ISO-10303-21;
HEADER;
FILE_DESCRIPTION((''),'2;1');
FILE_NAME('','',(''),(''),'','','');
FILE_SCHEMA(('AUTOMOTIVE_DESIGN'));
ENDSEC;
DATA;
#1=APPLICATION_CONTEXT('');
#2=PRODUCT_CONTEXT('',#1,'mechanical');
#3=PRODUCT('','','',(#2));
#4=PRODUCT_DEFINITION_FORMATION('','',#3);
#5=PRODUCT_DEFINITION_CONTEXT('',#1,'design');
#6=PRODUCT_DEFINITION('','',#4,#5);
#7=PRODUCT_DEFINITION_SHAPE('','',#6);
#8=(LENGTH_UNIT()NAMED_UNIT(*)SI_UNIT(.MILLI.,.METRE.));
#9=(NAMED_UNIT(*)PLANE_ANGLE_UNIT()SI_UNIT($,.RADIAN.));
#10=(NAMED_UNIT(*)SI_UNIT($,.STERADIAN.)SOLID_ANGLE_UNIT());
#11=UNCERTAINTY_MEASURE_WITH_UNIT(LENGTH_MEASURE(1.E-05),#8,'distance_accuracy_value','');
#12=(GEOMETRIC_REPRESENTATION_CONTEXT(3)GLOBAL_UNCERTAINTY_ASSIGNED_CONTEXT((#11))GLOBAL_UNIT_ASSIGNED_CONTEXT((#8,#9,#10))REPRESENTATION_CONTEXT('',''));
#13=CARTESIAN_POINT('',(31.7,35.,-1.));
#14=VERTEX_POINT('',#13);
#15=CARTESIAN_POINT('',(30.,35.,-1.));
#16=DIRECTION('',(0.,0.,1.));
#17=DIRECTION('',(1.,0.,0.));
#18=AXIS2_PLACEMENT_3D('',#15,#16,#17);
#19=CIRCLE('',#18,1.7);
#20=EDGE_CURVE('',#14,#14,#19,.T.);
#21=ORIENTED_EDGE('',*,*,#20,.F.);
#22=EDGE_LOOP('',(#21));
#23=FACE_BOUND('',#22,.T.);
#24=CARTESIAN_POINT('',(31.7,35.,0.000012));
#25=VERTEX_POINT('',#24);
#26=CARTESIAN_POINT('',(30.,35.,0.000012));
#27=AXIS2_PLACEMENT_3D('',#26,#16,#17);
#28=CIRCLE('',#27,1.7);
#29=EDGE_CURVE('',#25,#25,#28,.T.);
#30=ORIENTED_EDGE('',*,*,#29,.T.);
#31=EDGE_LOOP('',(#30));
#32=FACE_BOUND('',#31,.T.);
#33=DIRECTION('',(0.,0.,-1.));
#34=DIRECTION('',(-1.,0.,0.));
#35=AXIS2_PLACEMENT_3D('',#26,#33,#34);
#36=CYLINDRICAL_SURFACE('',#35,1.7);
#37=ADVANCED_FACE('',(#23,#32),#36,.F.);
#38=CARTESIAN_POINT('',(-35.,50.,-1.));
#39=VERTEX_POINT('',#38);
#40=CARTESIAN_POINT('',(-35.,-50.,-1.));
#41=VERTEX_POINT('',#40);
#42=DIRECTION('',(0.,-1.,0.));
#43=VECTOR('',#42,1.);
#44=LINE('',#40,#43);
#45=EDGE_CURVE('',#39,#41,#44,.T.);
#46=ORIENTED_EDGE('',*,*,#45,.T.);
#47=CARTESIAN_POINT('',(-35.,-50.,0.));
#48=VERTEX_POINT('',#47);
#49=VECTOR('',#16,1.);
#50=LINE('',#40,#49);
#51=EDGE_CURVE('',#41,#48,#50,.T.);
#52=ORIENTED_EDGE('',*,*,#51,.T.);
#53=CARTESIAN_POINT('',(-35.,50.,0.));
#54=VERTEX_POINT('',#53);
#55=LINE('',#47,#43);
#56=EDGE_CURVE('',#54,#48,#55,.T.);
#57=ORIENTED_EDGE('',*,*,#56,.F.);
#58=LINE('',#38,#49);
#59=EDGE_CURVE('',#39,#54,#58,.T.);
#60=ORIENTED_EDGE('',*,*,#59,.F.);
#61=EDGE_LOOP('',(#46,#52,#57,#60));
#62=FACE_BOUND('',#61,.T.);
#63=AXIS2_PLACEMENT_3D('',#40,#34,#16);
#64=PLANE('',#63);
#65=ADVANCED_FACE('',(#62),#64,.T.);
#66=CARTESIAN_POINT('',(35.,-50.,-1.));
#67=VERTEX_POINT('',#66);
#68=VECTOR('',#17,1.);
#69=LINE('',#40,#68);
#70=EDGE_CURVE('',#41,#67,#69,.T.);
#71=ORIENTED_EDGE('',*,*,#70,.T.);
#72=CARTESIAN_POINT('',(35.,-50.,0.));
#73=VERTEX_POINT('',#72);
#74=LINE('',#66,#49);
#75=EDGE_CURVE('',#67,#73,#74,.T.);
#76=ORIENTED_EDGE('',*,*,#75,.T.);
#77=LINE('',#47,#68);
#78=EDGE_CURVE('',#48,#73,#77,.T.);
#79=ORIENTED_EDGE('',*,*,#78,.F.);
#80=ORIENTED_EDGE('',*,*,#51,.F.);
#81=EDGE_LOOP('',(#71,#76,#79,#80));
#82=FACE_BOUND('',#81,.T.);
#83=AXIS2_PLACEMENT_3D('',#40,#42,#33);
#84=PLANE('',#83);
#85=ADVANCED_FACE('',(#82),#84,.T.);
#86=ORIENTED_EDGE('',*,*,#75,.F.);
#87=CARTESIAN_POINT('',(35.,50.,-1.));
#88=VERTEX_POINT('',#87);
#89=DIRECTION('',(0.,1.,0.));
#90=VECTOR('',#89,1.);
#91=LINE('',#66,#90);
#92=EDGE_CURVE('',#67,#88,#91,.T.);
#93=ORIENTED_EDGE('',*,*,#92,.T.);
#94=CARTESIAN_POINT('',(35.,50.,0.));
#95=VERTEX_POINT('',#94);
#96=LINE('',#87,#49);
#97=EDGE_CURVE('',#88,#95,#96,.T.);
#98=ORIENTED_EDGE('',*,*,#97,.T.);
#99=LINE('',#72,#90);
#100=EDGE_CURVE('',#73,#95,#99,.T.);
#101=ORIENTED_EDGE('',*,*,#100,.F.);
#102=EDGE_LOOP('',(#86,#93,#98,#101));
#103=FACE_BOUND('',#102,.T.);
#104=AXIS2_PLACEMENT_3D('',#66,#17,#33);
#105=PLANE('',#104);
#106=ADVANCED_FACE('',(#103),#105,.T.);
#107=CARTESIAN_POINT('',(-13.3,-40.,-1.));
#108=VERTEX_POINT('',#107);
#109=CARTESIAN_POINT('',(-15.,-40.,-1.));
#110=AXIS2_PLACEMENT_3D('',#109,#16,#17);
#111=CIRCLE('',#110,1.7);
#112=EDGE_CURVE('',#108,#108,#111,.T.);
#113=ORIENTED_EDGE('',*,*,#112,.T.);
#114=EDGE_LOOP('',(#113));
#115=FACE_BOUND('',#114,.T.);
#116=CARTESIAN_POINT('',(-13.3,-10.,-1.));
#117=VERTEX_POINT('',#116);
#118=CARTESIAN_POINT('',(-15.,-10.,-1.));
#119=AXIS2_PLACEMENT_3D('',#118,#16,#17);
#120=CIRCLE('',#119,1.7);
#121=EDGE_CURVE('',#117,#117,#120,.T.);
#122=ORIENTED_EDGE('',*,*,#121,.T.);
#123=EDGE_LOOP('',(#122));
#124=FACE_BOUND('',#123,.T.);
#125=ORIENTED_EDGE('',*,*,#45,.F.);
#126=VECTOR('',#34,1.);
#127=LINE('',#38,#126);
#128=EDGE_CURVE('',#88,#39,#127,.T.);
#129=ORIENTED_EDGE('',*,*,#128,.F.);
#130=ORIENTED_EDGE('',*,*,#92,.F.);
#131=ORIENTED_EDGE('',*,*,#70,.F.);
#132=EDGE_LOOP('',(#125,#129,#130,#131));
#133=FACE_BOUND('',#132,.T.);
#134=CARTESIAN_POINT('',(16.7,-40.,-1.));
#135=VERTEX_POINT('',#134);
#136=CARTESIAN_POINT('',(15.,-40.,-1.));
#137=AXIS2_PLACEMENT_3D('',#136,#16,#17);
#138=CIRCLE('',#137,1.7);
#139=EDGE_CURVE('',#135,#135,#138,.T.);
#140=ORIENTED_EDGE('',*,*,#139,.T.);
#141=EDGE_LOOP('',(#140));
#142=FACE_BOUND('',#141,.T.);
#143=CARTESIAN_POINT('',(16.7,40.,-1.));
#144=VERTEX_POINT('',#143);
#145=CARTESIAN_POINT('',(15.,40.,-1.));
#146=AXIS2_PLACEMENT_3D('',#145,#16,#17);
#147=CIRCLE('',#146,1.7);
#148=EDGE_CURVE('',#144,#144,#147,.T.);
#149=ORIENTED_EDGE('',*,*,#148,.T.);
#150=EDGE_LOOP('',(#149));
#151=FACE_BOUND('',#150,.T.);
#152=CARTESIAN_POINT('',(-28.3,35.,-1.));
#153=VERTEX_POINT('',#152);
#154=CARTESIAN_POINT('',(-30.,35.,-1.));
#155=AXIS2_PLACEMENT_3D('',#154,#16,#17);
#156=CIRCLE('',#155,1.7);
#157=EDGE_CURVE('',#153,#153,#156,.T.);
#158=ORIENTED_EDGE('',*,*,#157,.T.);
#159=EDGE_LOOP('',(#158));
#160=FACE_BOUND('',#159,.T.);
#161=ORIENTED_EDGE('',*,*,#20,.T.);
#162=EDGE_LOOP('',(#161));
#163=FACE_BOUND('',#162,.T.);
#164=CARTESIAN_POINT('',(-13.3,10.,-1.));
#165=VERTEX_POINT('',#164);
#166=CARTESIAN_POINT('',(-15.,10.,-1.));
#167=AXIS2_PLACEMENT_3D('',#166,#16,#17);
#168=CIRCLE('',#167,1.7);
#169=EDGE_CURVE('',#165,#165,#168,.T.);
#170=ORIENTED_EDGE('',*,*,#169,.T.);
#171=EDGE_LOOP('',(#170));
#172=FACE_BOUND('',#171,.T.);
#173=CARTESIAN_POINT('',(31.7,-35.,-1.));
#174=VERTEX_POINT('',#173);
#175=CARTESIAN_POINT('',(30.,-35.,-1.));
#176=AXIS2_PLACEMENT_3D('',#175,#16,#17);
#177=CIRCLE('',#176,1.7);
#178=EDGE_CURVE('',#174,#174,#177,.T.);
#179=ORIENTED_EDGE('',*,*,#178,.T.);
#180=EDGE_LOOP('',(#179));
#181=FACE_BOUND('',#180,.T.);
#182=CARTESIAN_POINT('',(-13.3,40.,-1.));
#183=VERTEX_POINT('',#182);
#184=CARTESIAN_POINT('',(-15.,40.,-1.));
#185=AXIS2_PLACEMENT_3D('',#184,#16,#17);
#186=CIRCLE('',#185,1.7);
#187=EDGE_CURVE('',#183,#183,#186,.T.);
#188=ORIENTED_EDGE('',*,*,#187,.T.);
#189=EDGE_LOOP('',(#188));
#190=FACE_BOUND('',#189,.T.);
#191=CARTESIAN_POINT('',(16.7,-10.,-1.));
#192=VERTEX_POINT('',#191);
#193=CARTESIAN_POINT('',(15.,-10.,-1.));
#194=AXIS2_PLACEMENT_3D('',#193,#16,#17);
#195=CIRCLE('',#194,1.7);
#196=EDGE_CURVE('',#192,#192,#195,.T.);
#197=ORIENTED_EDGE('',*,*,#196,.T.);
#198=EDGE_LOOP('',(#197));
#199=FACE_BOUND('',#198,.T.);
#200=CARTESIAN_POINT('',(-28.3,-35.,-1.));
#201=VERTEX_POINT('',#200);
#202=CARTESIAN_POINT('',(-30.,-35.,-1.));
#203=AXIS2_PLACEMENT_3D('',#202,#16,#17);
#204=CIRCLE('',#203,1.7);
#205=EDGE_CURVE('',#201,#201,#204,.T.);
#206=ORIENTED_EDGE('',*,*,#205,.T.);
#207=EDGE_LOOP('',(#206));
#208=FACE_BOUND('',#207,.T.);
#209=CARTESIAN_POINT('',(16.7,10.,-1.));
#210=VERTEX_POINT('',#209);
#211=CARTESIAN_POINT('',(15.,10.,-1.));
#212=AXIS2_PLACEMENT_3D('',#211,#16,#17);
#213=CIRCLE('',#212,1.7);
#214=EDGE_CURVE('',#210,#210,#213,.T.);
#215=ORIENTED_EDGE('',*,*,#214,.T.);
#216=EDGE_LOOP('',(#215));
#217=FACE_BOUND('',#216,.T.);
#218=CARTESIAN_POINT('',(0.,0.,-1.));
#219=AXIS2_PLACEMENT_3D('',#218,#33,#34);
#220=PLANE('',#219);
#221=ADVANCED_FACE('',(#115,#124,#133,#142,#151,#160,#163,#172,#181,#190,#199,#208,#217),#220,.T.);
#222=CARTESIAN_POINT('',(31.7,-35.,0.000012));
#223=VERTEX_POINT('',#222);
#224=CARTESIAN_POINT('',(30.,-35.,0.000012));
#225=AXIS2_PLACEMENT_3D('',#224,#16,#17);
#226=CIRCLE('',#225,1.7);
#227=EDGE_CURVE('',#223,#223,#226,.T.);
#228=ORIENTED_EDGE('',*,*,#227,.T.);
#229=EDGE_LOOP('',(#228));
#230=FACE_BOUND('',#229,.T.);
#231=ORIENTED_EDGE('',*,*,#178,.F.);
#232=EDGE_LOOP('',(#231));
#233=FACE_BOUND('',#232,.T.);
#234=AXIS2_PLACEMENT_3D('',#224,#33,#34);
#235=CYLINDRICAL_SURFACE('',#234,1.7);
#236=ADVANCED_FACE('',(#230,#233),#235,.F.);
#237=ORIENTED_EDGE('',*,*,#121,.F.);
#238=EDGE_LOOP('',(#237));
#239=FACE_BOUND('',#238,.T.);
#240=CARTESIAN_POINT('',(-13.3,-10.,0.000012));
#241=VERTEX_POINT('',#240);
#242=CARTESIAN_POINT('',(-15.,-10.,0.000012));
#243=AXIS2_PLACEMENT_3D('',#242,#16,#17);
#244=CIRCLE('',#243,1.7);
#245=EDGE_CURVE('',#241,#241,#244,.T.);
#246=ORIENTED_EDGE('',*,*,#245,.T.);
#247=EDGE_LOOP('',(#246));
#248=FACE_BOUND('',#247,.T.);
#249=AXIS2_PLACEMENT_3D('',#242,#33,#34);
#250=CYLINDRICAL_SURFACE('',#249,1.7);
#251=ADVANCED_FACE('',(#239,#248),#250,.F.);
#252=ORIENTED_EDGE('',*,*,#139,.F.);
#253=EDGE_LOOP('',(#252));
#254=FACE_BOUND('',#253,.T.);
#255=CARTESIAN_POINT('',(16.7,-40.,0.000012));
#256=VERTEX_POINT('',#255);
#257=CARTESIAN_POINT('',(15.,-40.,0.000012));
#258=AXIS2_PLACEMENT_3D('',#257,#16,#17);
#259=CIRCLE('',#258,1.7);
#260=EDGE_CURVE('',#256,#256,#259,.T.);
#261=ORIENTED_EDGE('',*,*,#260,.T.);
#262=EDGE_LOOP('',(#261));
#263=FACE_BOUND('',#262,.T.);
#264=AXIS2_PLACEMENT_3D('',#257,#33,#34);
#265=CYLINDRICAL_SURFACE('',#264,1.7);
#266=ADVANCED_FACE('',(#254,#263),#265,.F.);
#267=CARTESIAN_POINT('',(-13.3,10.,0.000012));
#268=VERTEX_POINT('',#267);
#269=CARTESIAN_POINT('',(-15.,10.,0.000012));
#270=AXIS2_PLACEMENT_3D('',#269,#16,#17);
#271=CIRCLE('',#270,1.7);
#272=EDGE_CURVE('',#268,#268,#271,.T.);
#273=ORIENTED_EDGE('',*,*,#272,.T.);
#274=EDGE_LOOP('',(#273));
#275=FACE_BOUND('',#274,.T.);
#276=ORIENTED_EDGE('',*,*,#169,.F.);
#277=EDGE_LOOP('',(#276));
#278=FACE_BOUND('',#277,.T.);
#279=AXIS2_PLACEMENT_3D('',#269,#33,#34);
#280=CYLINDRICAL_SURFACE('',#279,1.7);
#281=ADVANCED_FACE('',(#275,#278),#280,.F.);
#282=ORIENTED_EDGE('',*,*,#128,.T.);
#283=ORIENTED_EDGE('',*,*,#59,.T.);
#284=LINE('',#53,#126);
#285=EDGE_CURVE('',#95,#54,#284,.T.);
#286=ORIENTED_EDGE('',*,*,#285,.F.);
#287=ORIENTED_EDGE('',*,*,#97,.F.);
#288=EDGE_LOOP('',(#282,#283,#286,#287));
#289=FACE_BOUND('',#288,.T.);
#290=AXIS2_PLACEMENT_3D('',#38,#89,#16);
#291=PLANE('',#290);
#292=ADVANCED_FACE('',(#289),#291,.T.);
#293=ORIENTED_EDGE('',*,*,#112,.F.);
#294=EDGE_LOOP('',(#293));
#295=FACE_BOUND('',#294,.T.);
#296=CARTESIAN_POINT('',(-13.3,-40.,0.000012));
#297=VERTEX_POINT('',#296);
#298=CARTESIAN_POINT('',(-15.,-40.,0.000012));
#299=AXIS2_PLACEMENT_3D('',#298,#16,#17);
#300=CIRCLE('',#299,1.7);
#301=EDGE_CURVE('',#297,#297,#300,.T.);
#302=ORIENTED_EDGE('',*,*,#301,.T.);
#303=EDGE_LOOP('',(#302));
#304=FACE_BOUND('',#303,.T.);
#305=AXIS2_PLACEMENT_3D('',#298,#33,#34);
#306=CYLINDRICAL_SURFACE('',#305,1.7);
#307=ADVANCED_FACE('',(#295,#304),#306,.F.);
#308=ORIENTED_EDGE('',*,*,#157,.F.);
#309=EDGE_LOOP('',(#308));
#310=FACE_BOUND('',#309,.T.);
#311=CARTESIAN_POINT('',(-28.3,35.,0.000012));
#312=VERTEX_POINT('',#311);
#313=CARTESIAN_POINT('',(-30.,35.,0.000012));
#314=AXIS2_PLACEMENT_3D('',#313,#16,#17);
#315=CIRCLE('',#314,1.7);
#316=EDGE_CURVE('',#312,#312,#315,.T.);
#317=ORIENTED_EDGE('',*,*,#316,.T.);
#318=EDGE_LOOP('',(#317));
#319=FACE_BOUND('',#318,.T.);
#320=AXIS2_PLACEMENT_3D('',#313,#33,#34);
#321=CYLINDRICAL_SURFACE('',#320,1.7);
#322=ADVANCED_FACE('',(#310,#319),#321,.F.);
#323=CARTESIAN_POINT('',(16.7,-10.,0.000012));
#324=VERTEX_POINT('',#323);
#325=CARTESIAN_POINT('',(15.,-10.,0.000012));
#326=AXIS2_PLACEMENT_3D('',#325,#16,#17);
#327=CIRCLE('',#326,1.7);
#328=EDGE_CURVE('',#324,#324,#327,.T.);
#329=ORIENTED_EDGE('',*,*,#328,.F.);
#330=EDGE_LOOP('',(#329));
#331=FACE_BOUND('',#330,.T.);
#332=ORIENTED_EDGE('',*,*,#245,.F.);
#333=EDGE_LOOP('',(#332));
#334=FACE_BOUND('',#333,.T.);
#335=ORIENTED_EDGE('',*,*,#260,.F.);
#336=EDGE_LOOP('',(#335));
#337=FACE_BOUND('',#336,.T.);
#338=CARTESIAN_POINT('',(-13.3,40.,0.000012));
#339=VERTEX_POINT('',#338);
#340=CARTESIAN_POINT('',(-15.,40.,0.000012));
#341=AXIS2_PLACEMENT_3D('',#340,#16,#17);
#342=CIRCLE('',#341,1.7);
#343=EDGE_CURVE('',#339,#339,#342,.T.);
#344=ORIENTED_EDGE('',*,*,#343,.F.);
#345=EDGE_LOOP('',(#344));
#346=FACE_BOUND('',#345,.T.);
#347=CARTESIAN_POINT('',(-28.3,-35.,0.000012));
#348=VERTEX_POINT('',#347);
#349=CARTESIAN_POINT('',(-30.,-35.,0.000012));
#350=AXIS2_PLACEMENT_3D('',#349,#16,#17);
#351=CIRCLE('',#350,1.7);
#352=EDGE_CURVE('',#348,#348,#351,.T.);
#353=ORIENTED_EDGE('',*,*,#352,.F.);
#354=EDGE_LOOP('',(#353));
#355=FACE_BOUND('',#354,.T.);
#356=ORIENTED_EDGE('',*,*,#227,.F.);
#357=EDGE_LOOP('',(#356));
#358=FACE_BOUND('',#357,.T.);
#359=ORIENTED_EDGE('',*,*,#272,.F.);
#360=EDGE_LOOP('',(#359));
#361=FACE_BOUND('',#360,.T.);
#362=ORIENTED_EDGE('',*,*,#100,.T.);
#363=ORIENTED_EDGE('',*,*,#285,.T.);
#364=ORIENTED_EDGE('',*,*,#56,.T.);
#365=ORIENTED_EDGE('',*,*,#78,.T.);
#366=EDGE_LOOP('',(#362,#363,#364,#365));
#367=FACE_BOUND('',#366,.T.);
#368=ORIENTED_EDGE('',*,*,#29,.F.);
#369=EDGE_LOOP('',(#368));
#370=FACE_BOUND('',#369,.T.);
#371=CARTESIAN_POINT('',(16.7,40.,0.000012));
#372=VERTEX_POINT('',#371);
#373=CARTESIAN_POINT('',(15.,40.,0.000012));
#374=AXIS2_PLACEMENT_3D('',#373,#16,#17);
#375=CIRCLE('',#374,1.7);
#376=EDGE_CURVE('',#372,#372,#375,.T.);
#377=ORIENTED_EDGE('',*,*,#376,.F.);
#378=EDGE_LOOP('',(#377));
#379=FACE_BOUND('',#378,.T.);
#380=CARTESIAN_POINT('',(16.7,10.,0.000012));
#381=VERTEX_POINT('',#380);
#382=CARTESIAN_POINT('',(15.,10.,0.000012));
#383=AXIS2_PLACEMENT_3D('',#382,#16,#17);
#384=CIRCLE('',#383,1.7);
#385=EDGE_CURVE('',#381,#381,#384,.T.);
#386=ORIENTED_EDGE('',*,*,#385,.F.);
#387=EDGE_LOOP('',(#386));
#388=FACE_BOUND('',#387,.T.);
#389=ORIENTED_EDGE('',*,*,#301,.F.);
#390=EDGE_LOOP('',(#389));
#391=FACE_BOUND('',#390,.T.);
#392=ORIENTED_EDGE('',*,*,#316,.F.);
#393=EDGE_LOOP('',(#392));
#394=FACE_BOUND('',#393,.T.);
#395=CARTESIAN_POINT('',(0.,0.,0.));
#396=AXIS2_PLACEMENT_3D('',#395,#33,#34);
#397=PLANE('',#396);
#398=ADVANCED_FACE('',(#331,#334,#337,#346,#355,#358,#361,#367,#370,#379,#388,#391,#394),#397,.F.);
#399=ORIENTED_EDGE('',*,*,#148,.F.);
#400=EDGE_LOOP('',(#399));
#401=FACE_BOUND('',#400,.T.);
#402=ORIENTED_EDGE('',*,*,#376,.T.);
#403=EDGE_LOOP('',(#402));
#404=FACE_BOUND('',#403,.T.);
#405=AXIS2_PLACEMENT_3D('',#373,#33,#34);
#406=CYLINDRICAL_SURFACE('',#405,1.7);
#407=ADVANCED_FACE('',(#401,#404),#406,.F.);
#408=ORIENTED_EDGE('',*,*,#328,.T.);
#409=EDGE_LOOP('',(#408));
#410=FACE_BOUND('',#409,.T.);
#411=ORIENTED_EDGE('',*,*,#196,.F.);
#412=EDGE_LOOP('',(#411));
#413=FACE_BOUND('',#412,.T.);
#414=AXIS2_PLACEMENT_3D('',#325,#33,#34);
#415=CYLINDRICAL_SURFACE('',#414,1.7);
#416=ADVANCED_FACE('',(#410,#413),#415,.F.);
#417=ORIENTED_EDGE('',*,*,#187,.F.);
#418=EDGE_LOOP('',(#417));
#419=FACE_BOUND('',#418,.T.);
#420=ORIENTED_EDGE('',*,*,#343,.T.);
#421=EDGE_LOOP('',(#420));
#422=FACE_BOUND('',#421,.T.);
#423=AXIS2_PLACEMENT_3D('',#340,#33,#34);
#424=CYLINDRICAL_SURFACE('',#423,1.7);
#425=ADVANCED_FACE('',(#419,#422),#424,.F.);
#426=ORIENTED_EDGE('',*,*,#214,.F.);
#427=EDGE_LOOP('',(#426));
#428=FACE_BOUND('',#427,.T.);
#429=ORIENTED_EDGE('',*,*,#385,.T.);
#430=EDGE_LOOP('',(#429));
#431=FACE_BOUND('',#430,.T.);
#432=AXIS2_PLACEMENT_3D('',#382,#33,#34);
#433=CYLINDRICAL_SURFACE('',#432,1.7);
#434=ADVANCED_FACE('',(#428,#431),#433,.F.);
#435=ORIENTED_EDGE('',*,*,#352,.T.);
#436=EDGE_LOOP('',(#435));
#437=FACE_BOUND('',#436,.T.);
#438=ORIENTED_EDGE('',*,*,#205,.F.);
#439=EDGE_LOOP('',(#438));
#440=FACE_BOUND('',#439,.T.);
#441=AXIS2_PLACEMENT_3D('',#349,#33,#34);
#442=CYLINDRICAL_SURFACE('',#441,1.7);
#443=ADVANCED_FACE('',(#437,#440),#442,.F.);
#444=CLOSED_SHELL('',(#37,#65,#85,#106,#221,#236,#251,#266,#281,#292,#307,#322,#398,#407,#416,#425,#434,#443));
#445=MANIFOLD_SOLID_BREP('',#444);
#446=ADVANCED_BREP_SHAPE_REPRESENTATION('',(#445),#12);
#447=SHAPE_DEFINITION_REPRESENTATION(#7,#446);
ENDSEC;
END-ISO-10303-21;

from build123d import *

# Parameters (mm, degrees)
SKETCH1_W               = 70
SKETCH1_H               = 100
BOSS_EXTRUDE1_DEPTH     = 1
CUT_EXTRUDE1_DEPTH      = 62.040969848
CUT_EXTRUDE1_DEPTH_BACK = 62.040969848
SKETCH2_R               = 1.7


with BuildPart() as part:
    # Sketch1 → Boss-Extrude1 (new body)
    with BuildSketch(Plane.XY):
        Rectangle(SKETCH1_W, SKETCH1_H)
    extrude(amount=-BOSS_EXTRUDE1_DEPTH)

    # Sketch2 → Cut-Extrude1 (cut, two sides: drawn at the far end of the back side and taken through both)
    with BuildSketch(Plane.XY.offset(-CUT_EXTRUDE1_DEPTH_BACK)):
        with Locations((-30, -35)):
            Circle(SKETCH2_R)
        with Locations((-30, 35)):
            Circle(SKETCH2_R)
        with Locations((30, -35)):
            Circle(SKETCH2_R)
        with Locations((30, 35)):
            Circle(SKETCH2_R)
        with Locations((-15, -40)):
            Circle(SKETCH2_R)
        with Locations((-15, -10)):
            Circle(SKETCH2_R)
        with Locations((-15, 10)):
            Circle(SKETCH2_R)
        with Locations((-15, 40)):
            Circle(SKETCH2_R)
        with Locations((15, -40)):
            Circle(SKETCH2_R)
        with Locations((15, -10)):
            Circle(SKETCH2_R)
        with Locations((15, 10)):
            Circle(SKETCH2_R)
        with Locations((15, 40)):
            Circle(SKETCH2_R)
    extrude(amount=CUT_EXTRUDE1_DEPTH + CUT_EXTRUDE1_DEPTH_BACK, mode=Mode.SUBTRACT)


solid = part.part
